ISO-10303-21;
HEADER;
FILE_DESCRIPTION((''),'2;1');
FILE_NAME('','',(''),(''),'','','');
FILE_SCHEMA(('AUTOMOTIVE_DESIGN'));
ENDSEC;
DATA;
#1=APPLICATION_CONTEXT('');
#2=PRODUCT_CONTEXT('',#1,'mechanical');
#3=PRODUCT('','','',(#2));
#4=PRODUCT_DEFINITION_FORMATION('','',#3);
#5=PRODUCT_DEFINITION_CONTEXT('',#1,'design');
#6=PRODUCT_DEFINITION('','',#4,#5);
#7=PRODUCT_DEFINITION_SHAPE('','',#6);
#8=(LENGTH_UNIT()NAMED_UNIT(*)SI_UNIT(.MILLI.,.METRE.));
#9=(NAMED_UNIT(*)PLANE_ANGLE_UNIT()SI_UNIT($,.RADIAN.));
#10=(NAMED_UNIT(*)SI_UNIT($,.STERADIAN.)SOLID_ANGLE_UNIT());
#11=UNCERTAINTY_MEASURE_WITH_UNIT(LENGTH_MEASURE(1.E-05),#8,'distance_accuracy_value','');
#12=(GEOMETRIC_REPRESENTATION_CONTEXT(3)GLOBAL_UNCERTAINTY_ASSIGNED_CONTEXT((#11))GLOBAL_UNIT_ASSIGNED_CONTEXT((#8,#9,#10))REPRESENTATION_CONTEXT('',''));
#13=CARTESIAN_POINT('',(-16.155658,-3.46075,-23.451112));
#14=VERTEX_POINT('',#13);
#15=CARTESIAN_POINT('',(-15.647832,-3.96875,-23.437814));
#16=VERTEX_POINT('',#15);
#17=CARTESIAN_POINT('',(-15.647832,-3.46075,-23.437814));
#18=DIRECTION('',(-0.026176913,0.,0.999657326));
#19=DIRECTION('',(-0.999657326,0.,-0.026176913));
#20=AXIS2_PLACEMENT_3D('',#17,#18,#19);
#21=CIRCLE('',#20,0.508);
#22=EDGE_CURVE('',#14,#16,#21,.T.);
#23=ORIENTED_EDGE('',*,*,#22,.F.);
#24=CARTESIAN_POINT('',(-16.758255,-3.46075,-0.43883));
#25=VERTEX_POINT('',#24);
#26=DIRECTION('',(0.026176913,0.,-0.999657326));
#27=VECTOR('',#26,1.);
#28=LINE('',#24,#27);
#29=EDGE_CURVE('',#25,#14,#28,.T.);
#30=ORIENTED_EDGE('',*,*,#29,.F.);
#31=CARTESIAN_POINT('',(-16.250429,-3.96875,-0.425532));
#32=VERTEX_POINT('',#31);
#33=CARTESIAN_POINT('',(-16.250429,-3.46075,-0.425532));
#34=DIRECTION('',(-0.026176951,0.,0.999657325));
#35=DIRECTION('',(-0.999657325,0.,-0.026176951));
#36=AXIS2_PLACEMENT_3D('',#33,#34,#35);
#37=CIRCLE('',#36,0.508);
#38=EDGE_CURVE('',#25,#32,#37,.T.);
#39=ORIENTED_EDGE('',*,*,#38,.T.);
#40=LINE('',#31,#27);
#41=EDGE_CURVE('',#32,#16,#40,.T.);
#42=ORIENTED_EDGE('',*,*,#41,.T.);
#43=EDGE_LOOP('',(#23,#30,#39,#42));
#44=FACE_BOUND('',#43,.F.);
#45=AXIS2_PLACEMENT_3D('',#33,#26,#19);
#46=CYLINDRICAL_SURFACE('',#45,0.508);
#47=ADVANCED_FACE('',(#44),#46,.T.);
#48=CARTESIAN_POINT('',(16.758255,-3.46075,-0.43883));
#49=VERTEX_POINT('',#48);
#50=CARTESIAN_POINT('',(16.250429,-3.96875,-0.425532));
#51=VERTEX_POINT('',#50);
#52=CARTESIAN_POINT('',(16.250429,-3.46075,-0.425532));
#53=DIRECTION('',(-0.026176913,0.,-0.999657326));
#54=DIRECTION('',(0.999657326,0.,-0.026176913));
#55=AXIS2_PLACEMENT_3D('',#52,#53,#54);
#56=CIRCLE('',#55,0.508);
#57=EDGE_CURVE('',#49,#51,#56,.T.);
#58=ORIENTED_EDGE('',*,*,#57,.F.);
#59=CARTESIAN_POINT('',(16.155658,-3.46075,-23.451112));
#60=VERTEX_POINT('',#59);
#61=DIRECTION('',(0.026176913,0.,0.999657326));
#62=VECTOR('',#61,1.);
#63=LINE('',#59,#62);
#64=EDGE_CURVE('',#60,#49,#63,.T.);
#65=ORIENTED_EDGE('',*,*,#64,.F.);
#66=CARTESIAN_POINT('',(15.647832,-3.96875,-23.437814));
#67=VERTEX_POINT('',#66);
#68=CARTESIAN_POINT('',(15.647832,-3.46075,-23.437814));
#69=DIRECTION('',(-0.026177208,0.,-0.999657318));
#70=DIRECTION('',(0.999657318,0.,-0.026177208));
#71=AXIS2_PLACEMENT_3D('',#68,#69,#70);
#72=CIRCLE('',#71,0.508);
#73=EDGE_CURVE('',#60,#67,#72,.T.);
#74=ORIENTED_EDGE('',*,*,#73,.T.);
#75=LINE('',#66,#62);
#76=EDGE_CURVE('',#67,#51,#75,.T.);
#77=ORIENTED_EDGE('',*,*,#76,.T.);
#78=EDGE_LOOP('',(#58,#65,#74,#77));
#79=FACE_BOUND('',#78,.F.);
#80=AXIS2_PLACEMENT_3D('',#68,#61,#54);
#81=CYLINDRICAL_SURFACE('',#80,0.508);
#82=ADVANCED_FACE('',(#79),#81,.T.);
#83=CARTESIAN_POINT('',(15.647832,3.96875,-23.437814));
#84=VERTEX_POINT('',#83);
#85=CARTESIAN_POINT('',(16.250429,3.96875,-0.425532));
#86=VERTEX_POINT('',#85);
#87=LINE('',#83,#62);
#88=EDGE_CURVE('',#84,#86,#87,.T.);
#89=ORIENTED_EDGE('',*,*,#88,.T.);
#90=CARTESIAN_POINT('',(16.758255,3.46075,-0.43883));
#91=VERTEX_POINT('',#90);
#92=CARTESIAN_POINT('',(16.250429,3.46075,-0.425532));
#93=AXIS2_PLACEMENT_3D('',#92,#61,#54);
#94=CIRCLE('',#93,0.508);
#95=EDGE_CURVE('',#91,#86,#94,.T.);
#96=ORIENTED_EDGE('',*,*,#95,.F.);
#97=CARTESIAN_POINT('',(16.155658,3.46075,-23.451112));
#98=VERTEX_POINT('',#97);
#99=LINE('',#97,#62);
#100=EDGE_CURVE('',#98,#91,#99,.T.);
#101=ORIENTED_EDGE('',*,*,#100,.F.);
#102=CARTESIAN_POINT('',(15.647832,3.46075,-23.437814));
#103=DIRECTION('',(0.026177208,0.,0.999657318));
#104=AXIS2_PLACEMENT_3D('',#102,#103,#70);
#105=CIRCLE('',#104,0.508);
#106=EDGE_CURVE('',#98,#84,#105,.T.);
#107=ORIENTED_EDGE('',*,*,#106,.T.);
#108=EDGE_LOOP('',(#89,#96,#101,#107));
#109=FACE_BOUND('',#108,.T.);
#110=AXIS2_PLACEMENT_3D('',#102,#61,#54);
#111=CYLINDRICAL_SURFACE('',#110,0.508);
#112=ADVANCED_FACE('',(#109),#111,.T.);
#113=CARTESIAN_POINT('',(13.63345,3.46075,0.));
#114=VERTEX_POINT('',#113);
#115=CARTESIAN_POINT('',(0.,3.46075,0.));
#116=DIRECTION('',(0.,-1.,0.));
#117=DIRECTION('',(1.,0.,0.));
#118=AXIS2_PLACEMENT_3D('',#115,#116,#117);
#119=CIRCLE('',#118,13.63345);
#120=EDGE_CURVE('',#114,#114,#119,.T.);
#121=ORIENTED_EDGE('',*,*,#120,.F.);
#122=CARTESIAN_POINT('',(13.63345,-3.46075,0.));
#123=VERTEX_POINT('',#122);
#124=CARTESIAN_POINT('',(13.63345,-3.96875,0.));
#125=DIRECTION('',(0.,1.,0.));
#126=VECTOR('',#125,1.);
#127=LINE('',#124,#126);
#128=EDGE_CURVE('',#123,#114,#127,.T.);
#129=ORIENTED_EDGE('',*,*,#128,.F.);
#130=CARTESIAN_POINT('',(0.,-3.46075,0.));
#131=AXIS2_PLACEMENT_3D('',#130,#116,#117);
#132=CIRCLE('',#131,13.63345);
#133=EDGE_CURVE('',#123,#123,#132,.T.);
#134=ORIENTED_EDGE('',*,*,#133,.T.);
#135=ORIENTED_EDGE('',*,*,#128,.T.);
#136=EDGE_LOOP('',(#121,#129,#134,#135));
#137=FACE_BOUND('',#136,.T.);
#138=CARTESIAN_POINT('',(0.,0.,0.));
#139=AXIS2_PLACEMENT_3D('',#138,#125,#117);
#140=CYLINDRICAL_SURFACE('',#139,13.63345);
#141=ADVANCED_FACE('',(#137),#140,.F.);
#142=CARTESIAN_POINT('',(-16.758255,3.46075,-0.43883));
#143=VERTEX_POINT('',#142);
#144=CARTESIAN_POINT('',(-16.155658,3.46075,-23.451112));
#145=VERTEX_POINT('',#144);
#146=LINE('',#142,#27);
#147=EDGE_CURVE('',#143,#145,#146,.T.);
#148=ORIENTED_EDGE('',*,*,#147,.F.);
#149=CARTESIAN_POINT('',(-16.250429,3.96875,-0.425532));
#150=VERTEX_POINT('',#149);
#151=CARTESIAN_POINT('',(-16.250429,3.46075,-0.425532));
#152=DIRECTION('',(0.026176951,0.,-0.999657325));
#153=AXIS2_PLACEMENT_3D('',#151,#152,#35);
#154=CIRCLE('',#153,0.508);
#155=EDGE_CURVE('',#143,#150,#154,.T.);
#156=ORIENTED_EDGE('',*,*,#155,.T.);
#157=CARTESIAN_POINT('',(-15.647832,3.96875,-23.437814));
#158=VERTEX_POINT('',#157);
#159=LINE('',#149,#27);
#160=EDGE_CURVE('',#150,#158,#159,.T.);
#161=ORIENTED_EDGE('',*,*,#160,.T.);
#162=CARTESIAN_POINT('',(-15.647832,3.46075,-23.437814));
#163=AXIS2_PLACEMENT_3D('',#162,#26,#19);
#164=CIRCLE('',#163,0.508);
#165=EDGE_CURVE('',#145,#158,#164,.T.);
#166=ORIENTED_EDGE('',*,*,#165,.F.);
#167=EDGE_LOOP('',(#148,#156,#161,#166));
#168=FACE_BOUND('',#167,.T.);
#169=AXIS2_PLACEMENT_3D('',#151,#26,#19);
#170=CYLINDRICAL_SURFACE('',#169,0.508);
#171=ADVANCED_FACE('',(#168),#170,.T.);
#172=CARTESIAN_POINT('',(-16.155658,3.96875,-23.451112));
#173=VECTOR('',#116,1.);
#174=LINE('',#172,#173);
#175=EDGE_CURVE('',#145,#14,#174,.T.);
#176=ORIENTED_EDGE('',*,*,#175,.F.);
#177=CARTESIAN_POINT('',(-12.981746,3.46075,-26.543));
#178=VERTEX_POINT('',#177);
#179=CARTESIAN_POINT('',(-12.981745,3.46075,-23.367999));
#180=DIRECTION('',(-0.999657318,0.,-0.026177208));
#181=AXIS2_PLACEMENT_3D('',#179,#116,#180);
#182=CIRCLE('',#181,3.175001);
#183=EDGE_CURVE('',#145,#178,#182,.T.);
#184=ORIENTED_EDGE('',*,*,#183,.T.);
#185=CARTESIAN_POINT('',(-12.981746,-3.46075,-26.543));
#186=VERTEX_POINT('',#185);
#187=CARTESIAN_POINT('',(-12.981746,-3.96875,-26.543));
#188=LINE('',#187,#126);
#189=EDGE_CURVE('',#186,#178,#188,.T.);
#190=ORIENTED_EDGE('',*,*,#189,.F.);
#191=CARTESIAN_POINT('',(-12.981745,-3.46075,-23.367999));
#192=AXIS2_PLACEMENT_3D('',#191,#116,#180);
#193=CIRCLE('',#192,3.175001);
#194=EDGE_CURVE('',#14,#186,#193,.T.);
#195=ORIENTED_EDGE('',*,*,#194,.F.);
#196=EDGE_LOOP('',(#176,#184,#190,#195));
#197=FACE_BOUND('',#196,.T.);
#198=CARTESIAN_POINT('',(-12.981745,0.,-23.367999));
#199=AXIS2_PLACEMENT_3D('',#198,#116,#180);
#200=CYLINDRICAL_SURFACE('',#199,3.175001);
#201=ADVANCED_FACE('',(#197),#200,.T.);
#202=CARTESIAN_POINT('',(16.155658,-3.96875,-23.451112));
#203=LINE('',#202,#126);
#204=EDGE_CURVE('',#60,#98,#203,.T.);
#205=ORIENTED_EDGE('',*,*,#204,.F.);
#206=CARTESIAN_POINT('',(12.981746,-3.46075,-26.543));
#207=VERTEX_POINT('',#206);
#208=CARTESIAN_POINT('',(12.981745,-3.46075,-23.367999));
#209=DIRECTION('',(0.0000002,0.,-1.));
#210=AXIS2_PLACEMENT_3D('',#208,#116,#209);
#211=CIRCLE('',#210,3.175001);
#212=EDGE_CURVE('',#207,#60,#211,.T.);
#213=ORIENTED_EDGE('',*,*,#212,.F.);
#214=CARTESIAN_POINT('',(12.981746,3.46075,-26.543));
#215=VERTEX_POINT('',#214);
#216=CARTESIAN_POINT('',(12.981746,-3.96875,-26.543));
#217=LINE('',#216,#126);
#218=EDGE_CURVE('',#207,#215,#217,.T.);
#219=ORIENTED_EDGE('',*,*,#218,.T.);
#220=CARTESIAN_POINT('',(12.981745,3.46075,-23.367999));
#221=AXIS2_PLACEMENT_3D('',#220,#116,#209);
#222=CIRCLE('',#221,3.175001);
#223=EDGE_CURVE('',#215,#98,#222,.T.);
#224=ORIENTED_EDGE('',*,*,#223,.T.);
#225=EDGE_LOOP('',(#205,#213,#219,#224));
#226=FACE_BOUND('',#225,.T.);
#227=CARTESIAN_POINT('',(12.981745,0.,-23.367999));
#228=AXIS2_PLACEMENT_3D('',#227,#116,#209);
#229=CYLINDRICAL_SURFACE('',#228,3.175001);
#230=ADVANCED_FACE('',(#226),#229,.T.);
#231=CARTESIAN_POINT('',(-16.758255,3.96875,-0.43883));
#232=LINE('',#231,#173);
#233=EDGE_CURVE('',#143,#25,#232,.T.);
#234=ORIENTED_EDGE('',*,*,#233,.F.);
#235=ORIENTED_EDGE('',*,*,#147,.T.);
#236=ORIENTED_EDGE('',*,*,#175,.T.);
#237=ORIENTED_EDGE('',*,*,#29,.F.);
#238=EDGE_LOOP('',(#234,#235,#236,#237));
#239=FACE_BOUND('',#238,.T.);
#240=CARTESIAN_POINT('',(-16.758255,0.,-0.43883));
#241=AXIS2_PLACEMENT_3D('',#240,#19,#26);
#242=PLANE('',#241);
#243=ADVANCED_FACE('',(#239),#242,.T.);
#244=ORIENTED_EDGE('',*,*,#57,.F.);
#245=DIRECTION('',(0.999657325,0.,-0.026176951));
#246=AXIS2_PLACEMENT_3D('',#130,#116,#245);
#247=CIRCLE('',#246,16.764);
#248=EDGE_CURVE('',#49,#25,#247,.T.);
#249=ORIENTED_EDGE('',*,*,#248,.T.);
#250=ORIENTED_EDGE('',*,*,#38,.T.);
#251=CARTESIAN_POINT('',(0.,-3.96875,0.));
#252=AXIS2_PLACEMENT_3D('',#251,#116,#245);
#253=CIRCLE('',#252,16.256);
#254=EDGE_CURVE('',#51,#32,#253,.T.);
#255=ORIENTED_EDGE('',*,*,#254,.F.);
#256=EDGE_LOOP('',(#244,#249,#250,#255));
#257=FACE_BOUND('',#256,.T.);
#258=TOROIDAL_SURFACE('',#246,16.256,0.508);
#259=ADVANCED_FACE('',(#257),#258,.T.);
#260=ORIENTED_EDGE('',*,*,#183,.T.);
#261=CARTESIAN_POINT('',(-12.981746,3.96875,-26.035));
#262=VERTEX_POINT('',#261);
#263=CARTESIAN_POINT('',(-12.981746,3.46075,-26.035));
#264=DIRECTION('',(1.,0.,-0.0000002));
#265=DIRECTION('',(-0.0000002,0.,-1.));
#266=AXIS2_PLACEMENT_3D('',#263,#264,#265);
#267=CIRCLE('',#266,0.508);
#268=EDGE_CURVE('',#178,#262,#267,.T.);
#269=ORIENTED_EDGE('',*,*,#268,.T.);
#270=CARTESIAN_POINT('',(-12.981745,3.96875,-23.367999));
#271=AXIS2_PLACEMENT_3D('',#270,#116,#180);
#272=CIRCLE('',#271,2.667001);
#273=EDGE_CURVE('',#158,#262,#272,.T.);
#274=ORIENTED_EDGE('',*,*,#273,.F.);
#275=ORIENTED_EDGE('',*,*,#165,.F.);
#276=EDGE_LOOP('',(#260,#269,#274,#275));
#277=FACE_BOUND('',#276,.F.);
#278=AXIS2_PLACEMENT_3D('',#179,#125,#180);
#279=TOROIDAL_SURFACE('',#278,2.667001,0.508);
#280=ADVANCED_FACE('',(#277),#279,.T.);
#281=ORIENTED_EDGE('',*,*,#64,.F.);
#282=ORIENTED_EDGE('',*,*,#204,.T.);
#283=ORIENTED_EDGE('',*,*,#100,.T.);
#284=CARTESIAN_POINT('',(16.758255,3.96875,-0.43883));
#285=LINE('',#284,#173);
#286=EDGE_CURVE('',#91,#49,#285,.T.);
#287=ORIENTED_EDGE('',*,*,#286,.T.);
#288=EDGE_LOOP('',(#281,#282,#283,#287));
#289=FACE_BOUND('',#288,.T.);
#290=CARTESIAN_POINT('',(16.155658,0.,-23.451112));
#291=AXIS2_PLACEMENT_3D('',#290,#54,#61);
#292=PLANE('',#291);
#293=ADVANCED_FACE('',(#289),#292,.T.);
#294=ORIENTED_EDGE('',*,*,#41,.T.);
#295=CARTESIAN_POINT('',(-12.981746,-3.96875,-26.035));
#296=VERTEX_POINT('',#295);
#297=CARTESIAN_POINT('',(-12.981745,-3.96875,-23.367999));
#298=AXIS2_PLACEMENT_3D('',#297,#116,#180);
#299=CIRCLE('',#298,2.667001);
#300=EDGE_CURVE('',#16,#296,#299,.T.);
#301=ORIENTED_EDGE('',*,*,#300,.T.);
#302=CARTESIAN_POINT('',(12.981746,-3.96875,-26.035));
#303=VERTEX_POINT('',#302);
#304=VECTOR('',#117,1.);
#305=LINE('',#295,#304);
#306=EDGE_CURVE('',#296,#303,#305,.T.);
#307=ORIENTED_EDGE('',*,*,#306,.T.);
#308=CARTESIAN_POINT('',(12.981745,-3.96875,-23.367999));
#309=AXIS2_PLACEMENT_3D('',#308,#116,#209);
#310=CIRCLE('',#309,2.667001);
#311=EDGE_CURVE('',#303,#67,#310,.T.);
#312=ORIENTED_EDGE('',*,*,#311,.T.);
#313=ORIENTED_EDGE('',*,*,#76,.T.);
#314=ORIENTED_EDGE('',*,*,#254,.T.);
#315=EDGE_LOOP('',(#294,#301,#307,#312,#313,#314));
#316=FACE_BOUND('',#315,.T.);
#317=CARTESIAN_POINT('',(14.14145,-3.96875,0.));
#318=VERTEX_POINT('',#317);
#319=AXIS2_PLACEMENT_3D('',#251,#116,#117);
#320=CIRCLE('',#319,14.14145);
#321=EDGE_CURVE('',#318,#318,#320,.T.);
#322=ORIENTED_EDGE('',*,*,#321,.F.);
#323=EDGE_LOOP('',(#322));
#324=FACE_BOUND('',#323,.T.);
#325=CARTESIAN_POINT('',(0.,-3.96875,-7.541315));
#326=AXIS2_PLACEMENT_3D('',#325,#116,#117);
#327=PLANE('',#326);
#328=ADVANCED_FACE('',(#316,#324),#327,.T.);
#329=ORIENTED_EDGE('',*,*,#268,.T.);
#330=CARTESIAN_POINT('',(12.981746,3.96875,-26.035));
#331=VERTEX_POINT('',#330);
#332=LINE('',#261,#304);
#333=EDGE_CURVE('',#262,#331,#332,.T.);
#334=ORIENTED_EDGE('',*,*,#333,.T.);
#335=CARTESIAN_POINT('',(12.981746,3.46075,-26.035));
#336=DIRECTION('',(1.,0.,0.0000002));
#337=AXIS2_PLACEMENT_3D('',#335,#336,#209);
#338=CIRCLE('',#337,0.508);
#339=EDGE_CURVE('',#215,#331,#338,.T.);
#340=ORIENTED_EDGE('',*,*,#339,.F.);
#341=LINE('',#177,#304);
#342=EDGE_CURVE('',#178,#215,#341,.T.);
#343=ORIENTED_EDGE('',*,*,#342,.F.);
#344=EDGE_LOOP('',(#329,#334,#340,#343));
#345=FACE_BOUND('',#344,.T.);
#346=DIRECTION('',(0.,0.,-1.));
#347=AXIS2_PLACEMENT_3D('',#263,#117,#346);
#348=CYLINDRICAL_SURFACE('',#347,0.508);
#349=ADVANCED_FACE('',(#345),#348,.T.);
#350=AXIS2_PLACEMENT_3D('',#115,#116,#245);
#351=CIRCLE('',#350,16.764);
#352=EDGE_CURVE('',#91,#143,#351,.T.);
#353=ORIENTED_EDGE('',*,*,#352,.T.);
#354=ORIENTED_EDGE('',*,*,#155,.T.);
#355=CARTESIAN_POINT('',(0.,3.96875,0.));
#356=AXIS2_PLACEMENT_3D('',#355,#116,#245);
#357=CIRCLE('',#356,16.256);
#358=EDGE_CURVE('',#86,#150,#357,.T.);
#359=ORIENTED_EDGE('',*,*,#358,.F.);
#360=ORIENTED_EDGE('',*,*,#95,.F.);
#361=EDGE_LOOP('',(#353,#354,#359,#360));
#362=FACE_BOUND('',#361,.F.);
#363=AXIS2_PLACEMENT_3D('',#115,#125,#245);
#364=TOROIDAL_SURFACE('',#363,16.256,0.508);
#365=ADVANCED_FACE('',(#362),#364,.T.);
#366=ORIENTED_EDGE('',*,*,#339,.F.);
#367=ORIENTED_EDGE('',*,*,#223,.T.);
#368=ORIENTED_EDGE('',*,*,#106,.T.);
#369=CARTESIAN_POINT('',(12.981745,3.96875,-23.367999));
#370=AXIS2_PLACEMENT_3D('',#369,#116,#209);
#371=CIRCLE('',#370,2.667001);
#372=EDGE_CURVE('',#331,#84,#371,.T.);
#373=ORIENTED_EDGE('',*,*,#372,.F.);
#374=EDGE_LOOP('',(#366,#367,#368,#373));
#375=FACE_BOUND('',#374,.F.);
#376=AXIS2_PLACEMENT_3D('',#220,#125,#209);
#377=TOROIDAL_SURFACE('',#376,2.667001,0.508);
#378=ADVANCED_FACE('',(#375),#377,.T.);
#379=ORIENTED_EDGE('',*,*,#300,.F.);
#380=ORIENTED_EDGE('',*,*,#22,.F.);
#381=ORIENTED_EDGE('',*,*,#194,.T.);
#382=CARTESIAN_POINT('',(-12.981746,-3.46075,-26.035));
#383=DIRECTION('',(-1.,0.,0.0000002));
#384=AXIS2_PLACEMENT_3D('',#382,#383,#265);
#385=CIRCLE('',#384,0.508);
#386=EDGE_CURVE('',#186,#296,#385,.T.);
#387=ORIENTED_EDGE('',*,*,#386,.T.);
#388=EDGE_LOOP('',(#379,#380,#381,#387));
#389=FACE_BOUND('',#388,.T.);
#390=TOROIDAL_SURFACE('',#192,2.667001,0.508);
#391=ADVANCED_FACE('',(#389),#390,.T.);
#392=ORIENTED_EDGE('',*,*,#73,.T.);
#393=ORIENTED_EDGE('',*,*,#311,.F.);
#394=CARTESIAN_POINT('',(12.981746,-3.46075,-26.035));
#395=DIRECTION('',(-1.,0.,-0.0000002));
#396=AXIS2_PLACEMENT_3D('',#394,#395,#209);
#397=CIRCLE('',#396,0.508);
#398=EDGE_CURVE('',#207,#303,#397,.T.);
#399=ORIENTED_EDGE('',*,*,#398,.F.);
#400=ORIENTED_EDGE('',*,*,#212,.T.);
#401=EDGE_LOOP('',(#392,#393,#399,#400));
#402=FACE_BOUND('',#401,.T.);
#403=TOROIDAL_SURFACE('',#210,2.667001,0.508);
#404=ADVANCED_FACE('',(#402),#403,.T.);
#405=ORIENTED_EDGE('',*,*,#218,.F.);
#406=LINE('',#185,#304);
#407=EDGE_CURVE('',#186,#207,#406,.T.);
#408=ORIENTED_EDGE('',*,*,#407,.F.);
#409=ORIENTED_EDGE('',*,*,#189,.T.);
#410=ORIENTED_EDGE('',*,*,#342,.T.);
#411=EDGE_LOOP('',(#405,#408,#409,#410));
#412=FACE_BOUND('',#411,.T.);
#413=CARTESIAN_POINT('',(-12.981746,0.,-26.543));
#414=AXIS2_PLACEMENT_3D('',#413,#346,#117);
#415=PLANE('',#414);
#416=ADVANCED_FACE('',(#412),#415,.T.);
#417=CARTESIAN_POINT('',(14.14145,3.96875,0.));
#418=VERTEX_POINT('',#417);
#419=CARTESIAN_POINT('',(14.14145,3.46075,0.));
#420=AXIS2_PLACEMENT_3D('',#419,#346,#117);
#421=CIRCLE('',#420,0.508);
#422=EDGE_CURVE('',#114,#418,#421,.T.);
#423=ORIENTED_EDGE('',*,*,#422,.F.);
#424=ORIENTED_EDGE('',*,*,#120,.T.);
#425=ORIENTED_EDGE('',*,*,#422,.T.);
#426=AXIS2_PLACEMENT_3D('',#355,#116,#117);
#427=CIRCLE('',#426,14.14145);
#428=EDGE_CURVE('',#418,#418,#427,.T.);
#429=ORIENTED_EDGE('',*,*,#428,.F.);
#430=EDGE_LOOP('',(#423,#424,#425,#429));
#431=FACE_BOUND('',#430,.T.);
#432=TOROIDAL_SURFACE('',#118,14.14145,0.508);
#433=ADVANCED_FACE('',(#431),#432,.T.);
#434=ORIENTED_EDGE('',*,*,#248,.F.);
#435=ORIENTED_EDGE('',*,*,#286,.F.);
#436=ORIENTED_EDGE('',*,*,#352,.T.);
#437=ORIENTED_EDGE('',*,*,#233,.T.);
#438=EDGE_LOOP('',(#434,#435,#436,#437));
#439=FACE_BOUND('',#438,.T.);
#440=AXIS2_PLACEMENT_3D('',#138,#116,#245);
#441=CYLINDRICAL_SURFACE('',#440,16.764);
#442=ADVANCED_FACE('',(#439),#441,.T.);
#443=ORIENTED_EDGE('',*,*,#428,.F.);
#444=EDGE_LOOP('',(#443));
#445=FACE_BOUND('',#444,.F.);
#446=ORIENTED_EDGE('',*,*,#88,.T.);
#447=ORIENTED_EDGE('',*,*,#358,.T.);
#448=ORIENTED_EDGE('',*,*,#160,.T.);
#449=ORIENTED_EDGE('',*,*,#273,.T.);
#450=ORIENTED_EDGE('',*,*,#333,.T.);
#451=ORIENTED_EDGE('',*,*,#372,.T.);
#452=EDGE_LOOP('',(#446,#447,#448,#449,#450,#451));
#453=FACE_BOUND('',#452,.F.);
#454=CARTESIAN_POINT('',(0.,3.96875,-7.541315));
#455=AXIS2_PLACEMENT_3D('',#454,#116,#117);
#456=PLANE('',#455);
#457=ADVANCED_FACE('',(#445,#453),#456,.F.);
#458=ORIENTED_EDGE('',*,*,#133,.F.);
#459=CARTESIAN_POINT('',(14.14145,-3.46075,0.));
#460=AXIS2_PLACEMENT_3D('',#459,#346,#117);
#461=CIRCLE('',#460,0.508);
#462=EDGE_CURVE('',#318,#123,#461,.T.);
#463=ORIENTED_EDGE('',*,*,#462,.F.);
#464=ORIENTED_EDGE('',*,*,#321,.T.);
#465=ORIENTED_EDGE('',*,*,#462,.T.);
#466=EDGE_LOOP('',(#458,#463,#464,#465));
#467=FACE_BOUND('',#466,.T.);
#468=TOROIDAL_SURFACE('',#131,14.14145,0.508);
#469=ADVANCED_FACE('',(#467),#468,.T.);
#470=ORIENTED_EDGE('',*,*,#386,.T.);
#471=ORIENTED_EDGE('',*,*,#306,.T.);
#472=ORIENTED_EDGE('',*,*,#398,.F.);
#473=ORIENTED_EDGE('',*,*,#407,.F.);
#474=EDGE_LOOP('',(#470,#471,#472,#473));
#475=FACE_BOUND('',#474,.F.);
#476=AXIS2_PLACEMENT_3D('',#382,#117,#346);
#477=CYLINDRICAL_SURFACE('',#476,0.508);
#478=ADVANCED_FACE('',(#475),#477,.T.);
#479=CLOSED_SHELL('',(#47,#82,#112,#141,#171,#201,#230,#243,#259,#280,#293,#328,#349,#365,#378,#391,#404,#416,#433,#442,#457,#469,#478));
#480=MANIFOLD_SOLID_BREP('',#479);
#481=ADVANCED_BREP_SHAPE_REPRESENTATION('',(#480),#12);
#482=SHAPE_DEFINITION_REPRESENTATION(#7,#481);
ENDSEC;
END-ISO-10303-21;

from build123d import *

# Parameters (mm, degrees)
F0_R     = 13.63345
F1_DEPTH = 3.96875
F2_R     = 0.508


with BuildPart() as f1:
    # F0 (on Front) → F1 (new body, symmetric)
    with BuildSketch(Plane.XZ):
        with BuildLine():
            Line((16.155658, -23.451112), (16.758255, -0.43883))
            ThreePointArc((16.758255, -0.43883), (0, 16.764), (-16.758255, -0.43883))
            Line((-16.758255, -0.43883), (-16.155658, -23.451112))
            ThreePointArc((-16.155658, -23.451112), (-15.19723, -25.642259), (-12.981746, -26.543))
            Line((-12.981746, -26.543), (12.981746, -26.543))
            ThreePointArc((12.981746, -26.543), (15.19723, -25.642259), (16.155658, -23.451112))
        make_face()
        Circle(F0_R, mode=Mode.SUBTRACT)
    extrude(amount=F1_DEPTH, both=True)

    # F2
    f2_edges = [f1.edges().sort_by_distance(p)[0] for p in [
        (15.19723, -3.96875, -25.642259),
        (16.456956, -3.96875, -11.944971),
        (0, -3.96875, 16.764),
        (-16.456956, -3.96875, -11.944971),
        (-15.19723, -3.96875, -25.642259),
        (0, -3.96875, -26.543),
        (-13.63345, -3.96875, 0),
        (15.19723, 3.96875, -25.642259),
        (16.456956, 3.96875, -11.944971),
        (0, 3.96875, 16.764),
        (-16.456956, 3.96875, -11.944971),
        (-15.19723, 3.96875, -25.642259),
        (0, 3.96875, -26.543),
        (-13.63345, 3.96875, 0),
    ]]
    fillet(f2_edges, radius=F2_R)


solid = f1.part
